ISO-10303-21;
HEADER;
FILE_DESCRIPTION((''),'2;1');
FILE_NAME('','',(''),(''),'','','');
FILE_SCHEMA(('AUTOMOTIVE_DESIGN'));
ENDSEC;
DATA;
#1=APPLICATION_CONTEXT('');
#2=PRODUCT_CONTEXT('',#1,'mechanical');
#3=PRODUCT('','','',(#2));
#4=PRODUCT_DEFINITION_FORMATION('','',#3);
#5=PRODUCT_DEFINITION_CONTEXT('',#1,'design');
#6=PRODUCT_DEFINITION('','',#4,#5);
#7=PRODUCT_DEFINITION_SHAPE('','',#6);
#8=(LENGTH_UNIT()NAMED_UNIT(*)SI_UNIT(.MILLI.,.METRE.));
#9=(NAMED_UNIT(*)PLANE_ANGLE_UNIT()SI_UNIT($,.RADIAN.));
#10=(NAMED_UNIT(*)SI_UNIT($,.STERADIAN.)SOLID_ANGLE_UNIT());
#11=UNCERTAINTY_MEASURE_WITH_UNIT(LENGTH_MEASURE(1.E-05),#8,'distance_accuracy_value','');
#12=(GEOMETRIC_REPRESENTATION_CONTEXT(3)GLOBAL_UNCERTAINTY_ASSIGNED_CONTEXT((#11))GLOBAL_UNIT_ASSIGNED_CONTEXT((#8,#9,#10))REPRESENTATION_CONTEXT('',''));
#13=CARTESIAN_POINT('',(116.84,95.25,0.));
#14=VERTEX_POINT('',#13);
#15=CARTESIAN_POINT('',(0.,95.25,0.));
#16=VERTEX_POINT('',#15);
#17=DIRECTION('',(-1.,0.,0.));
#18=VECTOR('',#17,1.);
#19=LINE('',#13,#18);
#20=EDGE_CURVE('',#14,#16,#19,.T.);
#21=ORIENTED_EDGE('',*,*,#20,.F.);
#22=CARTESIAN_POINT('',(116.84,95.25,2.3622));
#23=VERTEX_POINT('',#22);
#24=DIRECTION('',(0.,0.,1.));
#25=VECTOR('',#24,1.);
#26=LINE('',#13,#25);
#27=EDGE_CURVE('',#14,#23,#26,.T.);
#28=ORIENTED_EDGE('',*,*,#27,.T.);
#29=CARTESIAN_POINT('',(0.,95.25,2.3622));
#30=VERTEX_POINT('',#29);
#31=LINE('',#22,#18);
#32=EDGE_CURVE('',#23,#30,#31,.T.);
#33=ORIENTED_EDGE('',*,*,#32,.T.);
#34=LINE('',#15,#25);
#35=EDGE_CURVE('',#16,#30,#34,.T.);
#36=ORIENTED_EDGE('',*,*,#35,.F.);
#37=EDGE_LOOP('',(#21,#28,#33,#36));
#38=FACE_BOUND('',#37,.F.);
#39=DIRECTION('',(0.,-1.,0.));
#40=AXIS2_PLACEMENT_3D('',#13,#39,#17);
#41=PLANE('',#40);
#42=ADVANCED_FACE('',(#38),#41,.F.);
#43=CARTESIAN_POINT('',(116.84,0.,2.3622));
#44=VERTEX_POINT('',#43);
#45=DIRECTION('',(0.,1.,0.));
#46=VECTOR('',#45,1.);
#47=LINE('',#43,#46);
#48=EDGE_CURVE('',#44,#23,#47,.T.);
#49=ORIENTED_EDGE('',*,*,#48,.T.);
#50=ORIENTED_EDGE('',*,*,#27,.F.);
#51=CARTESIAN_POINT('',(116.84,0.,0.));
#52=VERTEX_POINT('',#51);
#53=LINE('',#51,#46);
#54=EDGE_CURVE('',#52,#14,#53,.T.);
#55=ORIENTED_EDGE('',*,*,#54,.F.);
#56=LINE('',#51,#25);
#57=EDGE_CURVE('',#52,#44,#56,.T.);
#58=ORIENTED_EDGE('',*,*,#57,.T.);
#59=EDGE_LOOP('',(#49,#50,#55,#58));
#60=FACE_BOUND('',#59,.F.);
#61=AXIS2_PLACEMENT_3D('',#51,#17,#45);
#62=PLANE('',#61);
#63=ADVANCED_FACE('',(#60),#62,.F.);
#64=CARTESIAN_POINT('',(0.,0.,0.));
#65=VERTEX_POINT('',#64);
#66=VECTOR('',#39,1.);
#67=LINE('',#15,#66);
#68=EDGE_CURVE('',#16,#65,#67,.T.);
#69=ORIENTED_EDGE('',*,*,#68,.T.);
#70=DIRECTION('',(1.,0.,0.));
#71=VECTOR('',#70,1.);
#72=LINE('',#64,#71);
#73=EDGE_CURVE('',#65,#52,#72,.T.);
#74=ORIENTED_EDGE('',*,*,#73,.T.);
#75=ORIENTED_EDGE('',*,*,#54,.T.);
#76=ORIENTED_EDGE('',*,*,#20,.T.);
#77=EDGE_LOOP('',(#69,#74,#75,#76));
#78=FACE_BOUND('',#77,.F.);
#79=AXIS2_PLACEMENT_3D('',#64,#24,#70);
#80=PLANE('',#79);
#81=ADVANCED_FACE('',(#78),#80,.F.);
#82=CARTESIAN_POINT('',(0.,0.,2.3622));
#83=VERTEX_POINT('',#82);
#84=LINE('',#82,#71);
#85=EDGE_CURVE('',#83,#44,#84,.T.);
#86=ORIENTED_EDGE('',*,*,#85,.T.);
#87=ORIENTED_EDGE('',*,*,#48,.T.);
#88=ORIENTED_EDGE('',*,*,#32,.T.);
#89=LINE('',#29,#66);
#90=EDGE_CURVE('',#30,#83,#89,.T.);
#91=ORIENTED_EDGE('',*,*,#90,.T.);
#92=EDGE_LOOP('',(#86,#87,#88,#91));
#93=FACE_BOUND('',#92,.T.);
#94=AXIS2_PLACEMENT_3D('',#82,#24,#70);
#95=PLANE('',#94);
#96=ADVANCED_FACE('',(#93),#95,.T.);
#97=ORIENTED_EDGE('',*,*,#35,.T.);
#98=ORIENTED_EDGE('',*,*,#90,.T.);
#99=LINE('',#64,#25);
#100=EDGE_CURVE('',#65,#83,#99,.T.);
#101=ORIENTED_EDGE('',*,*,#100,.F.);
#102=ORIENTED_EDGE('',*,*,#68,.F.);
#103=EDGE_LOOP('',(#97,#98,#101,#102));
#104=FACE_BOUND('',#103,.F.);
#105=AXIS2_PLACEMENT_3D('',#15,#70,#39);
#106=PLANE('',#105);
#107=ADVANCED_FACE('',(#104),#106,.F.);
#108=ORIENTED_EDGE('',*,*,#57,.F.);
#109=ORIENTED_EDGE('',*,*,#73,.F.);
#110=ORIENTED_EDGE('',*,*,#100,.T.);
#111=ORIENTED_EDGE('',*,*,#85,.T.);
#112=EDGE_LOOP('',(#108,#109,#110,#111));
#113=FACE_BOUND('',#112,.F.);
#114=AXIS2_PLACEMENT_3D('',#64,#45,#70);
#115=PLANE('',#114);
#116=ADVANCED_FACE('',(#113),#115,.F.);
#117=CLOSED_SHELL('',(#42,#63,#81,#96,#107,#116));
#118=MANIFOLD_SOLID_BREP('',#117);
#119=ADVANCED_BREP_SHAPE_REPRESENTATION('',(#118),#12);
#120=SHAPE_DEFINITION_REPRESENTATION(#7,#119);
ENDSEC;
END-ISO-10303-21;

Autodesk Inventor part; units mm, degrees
ref_plane "YZ Plane" through (0, 0, 0) normal (1, 0, 0) x (0, 1, 0)
ref_plane "XZ Plane" through (0, 0, 0) normal (0, 1, 0) x (-1, 0, 0)
ref_plane "XY Plane" through (0, 0, 0) normal (0, 0, 1) x (1, 0, 0)
sketch "Sketch1" plane through (0, 0, 0) normal (0, 0, 1) x (1, 0, 0)
  line L0 (0, 0) -> (116.84, 0)
  line L1 (116.84, 0) -> (116.84, 95.25)
  line L2 (116.84, 95.25) -> (0, 95.25)
  line L3 (0, 95.25) -> (0, 0)
  dimension "d0" = 116.84
  dimension "d1" = 95.25
extrude "Extrusion1" add sketch "Sketch1" along normal blind 2.3622
properties part number "Plate_Top_Poly" material "Polycarbonate, Clear"
